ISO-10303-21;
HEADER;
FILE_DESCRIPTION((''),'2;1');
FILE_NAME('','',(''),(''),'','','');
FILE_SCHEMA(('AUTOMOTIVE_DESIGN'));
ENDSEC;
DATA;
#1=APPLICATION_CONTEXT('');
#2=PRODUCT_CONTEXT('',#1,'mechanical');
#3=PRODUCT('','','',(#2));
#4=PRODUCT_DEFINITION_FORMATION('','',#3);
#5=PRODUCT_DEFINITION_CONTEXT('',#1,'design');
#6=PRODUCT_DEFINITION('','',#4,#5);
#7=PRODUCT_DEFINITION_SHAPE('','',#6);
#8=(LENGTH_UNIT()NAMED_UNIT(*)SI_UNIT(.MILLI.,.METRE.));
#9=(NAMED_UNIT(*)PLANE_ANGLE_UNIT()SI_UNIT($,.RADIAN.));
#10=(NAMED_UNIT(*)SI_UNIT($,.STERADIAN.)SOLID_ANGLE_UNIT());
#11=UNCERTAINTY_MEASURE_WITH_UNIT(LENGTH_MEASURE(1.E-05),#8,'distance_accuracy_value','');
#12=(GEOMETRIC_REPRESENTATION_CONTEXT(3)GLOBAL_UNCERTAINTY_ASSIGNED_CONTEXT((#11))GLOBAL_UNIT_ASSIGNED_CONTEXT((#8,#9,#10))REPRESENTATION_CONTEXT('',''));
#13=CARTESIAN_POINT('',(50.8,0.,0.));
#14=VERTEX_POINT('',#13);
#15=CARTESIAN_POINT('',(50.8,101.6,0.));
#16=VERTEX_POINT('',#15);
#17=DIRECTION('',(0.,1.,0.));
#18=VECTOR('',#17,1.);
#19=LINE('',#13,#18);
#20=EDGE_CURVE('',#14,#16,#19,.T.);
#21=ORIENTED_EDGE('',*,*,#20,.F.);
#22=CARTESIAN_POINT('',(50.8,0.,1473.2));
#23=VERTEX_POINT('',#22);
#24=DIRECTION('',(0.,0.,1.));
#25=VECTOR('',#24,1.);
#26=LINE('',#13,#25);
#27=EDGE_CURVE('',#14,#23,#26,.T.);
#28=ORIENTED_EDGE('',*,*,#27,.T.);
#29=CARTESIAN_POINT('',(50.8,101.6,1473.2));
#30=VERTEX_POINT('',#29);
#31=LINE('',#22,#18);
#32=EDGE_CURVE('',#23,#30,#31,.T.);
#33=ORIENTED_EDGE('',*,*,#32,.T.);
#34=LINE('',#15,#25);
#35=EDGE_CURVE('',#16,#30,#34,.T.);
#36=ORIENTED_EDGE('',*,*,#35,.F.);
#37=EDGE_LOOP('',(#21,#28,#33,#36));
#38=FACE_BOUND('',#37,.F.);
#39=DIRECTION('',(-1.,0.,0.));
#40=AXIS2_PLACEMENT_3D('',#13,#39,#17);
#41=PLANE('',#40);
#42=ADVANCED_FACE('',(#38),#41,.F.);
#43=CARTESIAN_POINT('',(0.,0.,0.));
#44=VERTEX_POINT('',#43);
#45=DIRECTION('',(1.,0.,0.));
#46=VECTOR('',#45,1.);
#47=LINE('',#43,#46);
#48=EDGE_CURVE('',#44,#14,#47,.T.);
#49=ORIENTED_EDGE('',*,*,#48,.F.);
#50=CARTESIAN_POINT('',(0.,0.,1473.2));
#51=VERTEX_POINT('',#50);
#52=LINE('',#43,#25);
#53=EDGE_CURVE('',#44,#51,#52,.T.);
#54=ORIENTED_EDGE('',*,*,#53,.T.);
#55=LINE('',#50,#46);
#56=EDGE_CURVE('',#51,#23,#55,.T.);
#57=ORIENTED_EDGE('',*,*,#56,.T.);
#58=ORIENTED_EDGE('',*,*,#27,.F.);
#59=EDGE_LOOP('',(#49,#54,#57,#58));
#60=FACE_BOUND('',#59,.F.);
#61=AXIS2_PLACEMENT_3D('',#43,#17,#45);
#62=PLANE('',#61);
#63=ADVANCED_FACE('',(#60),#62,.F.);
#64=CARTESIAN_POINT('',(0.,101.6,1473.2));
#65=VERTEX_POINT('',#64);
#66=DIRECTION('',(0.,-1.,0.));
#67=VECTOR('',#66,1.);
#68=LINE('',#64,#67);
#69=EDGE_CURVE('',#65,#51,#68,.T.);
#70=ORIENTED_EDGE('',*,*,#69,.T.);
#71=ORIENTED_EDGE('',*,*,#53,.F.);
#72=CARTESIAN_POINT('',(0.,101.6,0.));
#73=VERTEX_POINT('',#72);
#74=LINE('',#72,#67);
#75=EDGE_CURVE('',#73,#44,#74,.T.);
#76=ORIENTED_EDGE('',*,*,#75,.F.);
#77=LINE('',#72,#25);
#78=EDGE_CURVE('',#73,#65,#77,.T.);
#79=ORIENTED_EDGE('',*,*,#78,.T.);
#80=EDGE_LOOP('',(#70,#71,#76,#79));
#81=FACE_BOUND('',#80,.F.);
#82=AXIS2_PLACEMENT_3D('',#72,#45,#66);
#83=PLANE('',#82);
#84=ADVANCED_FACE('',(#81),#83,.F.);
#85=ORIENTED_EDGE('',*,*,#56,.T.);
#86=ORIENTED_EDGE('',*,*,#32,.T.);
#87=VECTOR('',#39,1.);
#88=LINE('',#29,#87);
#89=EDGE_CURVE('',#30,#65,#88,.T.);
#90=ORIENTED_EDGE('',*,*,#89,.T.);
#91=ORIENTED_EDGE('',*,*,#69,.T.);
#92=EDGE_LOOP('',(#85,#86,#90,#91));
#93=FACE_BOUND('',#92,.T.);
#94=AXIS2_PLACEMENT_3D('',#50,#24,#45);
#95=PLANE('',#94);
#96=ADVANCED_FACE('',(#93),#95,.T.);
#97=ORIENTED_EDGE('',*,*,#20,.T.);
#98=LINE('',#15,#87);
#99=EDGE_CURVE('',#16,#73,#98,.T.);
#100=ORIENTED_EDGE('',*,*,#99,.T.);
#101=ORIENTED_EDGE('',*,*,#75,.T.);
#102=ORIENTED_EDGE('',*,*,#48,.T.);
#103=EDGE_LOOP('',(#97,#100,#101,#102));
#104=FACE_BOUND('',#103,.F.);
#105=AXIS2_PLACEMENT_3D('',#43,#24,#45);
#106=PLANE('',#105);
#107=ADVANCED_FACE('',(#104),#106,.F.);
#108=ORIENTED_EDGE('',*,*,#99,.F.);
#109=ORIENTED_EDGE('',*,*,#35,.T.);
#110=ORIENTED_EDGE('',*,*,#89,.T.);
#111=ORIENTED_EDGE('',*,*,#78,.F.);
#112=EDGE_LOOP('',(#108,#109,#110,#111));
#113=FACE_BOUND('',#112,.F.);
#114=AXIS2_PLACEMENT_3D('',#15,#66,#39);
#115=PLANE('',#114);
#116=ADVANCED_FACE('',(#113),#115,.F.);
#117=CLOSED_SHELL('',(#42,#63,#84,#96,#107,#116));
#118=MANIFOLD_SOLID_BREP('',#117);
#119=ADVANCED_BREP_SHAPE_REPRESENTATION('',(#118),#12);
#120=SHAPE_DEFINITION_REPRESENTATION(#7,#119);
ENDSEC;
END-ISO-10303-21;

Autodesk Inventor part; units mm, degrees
ref_plane "YZ Plane" through (0, 0, 0) normal (1, 0, 0) x (0, 1, 0)
ref_plane "XZ Plane" through (0, 0, 0) normal (0, 1, 0) x (-1, 0, 0)
ref_plane "XY Plane" through (0, 0, 0) normal (0, 0, 1) x (1, 0, 0)
sketch "Sketch1" plane through (0, 0, 0) normal (0, 0, 1) x (1, 0, 0)
  line L0 (0, 0) -> (50.8, 0)
  line L1 (50.8, 0) -> (50.8, 101.6)
  line L2 (50.8, 101.6) -> (0, 101.6)
  line L3 (0, 101.6) -> (0, 0)
  dimension "d0" = 50.8
  dimension "d1" = 101.6
extrude "Extrusion1" add sketch "Sketch1" along normal blind 1473.2
properties part number "LargeHorizBeam"
